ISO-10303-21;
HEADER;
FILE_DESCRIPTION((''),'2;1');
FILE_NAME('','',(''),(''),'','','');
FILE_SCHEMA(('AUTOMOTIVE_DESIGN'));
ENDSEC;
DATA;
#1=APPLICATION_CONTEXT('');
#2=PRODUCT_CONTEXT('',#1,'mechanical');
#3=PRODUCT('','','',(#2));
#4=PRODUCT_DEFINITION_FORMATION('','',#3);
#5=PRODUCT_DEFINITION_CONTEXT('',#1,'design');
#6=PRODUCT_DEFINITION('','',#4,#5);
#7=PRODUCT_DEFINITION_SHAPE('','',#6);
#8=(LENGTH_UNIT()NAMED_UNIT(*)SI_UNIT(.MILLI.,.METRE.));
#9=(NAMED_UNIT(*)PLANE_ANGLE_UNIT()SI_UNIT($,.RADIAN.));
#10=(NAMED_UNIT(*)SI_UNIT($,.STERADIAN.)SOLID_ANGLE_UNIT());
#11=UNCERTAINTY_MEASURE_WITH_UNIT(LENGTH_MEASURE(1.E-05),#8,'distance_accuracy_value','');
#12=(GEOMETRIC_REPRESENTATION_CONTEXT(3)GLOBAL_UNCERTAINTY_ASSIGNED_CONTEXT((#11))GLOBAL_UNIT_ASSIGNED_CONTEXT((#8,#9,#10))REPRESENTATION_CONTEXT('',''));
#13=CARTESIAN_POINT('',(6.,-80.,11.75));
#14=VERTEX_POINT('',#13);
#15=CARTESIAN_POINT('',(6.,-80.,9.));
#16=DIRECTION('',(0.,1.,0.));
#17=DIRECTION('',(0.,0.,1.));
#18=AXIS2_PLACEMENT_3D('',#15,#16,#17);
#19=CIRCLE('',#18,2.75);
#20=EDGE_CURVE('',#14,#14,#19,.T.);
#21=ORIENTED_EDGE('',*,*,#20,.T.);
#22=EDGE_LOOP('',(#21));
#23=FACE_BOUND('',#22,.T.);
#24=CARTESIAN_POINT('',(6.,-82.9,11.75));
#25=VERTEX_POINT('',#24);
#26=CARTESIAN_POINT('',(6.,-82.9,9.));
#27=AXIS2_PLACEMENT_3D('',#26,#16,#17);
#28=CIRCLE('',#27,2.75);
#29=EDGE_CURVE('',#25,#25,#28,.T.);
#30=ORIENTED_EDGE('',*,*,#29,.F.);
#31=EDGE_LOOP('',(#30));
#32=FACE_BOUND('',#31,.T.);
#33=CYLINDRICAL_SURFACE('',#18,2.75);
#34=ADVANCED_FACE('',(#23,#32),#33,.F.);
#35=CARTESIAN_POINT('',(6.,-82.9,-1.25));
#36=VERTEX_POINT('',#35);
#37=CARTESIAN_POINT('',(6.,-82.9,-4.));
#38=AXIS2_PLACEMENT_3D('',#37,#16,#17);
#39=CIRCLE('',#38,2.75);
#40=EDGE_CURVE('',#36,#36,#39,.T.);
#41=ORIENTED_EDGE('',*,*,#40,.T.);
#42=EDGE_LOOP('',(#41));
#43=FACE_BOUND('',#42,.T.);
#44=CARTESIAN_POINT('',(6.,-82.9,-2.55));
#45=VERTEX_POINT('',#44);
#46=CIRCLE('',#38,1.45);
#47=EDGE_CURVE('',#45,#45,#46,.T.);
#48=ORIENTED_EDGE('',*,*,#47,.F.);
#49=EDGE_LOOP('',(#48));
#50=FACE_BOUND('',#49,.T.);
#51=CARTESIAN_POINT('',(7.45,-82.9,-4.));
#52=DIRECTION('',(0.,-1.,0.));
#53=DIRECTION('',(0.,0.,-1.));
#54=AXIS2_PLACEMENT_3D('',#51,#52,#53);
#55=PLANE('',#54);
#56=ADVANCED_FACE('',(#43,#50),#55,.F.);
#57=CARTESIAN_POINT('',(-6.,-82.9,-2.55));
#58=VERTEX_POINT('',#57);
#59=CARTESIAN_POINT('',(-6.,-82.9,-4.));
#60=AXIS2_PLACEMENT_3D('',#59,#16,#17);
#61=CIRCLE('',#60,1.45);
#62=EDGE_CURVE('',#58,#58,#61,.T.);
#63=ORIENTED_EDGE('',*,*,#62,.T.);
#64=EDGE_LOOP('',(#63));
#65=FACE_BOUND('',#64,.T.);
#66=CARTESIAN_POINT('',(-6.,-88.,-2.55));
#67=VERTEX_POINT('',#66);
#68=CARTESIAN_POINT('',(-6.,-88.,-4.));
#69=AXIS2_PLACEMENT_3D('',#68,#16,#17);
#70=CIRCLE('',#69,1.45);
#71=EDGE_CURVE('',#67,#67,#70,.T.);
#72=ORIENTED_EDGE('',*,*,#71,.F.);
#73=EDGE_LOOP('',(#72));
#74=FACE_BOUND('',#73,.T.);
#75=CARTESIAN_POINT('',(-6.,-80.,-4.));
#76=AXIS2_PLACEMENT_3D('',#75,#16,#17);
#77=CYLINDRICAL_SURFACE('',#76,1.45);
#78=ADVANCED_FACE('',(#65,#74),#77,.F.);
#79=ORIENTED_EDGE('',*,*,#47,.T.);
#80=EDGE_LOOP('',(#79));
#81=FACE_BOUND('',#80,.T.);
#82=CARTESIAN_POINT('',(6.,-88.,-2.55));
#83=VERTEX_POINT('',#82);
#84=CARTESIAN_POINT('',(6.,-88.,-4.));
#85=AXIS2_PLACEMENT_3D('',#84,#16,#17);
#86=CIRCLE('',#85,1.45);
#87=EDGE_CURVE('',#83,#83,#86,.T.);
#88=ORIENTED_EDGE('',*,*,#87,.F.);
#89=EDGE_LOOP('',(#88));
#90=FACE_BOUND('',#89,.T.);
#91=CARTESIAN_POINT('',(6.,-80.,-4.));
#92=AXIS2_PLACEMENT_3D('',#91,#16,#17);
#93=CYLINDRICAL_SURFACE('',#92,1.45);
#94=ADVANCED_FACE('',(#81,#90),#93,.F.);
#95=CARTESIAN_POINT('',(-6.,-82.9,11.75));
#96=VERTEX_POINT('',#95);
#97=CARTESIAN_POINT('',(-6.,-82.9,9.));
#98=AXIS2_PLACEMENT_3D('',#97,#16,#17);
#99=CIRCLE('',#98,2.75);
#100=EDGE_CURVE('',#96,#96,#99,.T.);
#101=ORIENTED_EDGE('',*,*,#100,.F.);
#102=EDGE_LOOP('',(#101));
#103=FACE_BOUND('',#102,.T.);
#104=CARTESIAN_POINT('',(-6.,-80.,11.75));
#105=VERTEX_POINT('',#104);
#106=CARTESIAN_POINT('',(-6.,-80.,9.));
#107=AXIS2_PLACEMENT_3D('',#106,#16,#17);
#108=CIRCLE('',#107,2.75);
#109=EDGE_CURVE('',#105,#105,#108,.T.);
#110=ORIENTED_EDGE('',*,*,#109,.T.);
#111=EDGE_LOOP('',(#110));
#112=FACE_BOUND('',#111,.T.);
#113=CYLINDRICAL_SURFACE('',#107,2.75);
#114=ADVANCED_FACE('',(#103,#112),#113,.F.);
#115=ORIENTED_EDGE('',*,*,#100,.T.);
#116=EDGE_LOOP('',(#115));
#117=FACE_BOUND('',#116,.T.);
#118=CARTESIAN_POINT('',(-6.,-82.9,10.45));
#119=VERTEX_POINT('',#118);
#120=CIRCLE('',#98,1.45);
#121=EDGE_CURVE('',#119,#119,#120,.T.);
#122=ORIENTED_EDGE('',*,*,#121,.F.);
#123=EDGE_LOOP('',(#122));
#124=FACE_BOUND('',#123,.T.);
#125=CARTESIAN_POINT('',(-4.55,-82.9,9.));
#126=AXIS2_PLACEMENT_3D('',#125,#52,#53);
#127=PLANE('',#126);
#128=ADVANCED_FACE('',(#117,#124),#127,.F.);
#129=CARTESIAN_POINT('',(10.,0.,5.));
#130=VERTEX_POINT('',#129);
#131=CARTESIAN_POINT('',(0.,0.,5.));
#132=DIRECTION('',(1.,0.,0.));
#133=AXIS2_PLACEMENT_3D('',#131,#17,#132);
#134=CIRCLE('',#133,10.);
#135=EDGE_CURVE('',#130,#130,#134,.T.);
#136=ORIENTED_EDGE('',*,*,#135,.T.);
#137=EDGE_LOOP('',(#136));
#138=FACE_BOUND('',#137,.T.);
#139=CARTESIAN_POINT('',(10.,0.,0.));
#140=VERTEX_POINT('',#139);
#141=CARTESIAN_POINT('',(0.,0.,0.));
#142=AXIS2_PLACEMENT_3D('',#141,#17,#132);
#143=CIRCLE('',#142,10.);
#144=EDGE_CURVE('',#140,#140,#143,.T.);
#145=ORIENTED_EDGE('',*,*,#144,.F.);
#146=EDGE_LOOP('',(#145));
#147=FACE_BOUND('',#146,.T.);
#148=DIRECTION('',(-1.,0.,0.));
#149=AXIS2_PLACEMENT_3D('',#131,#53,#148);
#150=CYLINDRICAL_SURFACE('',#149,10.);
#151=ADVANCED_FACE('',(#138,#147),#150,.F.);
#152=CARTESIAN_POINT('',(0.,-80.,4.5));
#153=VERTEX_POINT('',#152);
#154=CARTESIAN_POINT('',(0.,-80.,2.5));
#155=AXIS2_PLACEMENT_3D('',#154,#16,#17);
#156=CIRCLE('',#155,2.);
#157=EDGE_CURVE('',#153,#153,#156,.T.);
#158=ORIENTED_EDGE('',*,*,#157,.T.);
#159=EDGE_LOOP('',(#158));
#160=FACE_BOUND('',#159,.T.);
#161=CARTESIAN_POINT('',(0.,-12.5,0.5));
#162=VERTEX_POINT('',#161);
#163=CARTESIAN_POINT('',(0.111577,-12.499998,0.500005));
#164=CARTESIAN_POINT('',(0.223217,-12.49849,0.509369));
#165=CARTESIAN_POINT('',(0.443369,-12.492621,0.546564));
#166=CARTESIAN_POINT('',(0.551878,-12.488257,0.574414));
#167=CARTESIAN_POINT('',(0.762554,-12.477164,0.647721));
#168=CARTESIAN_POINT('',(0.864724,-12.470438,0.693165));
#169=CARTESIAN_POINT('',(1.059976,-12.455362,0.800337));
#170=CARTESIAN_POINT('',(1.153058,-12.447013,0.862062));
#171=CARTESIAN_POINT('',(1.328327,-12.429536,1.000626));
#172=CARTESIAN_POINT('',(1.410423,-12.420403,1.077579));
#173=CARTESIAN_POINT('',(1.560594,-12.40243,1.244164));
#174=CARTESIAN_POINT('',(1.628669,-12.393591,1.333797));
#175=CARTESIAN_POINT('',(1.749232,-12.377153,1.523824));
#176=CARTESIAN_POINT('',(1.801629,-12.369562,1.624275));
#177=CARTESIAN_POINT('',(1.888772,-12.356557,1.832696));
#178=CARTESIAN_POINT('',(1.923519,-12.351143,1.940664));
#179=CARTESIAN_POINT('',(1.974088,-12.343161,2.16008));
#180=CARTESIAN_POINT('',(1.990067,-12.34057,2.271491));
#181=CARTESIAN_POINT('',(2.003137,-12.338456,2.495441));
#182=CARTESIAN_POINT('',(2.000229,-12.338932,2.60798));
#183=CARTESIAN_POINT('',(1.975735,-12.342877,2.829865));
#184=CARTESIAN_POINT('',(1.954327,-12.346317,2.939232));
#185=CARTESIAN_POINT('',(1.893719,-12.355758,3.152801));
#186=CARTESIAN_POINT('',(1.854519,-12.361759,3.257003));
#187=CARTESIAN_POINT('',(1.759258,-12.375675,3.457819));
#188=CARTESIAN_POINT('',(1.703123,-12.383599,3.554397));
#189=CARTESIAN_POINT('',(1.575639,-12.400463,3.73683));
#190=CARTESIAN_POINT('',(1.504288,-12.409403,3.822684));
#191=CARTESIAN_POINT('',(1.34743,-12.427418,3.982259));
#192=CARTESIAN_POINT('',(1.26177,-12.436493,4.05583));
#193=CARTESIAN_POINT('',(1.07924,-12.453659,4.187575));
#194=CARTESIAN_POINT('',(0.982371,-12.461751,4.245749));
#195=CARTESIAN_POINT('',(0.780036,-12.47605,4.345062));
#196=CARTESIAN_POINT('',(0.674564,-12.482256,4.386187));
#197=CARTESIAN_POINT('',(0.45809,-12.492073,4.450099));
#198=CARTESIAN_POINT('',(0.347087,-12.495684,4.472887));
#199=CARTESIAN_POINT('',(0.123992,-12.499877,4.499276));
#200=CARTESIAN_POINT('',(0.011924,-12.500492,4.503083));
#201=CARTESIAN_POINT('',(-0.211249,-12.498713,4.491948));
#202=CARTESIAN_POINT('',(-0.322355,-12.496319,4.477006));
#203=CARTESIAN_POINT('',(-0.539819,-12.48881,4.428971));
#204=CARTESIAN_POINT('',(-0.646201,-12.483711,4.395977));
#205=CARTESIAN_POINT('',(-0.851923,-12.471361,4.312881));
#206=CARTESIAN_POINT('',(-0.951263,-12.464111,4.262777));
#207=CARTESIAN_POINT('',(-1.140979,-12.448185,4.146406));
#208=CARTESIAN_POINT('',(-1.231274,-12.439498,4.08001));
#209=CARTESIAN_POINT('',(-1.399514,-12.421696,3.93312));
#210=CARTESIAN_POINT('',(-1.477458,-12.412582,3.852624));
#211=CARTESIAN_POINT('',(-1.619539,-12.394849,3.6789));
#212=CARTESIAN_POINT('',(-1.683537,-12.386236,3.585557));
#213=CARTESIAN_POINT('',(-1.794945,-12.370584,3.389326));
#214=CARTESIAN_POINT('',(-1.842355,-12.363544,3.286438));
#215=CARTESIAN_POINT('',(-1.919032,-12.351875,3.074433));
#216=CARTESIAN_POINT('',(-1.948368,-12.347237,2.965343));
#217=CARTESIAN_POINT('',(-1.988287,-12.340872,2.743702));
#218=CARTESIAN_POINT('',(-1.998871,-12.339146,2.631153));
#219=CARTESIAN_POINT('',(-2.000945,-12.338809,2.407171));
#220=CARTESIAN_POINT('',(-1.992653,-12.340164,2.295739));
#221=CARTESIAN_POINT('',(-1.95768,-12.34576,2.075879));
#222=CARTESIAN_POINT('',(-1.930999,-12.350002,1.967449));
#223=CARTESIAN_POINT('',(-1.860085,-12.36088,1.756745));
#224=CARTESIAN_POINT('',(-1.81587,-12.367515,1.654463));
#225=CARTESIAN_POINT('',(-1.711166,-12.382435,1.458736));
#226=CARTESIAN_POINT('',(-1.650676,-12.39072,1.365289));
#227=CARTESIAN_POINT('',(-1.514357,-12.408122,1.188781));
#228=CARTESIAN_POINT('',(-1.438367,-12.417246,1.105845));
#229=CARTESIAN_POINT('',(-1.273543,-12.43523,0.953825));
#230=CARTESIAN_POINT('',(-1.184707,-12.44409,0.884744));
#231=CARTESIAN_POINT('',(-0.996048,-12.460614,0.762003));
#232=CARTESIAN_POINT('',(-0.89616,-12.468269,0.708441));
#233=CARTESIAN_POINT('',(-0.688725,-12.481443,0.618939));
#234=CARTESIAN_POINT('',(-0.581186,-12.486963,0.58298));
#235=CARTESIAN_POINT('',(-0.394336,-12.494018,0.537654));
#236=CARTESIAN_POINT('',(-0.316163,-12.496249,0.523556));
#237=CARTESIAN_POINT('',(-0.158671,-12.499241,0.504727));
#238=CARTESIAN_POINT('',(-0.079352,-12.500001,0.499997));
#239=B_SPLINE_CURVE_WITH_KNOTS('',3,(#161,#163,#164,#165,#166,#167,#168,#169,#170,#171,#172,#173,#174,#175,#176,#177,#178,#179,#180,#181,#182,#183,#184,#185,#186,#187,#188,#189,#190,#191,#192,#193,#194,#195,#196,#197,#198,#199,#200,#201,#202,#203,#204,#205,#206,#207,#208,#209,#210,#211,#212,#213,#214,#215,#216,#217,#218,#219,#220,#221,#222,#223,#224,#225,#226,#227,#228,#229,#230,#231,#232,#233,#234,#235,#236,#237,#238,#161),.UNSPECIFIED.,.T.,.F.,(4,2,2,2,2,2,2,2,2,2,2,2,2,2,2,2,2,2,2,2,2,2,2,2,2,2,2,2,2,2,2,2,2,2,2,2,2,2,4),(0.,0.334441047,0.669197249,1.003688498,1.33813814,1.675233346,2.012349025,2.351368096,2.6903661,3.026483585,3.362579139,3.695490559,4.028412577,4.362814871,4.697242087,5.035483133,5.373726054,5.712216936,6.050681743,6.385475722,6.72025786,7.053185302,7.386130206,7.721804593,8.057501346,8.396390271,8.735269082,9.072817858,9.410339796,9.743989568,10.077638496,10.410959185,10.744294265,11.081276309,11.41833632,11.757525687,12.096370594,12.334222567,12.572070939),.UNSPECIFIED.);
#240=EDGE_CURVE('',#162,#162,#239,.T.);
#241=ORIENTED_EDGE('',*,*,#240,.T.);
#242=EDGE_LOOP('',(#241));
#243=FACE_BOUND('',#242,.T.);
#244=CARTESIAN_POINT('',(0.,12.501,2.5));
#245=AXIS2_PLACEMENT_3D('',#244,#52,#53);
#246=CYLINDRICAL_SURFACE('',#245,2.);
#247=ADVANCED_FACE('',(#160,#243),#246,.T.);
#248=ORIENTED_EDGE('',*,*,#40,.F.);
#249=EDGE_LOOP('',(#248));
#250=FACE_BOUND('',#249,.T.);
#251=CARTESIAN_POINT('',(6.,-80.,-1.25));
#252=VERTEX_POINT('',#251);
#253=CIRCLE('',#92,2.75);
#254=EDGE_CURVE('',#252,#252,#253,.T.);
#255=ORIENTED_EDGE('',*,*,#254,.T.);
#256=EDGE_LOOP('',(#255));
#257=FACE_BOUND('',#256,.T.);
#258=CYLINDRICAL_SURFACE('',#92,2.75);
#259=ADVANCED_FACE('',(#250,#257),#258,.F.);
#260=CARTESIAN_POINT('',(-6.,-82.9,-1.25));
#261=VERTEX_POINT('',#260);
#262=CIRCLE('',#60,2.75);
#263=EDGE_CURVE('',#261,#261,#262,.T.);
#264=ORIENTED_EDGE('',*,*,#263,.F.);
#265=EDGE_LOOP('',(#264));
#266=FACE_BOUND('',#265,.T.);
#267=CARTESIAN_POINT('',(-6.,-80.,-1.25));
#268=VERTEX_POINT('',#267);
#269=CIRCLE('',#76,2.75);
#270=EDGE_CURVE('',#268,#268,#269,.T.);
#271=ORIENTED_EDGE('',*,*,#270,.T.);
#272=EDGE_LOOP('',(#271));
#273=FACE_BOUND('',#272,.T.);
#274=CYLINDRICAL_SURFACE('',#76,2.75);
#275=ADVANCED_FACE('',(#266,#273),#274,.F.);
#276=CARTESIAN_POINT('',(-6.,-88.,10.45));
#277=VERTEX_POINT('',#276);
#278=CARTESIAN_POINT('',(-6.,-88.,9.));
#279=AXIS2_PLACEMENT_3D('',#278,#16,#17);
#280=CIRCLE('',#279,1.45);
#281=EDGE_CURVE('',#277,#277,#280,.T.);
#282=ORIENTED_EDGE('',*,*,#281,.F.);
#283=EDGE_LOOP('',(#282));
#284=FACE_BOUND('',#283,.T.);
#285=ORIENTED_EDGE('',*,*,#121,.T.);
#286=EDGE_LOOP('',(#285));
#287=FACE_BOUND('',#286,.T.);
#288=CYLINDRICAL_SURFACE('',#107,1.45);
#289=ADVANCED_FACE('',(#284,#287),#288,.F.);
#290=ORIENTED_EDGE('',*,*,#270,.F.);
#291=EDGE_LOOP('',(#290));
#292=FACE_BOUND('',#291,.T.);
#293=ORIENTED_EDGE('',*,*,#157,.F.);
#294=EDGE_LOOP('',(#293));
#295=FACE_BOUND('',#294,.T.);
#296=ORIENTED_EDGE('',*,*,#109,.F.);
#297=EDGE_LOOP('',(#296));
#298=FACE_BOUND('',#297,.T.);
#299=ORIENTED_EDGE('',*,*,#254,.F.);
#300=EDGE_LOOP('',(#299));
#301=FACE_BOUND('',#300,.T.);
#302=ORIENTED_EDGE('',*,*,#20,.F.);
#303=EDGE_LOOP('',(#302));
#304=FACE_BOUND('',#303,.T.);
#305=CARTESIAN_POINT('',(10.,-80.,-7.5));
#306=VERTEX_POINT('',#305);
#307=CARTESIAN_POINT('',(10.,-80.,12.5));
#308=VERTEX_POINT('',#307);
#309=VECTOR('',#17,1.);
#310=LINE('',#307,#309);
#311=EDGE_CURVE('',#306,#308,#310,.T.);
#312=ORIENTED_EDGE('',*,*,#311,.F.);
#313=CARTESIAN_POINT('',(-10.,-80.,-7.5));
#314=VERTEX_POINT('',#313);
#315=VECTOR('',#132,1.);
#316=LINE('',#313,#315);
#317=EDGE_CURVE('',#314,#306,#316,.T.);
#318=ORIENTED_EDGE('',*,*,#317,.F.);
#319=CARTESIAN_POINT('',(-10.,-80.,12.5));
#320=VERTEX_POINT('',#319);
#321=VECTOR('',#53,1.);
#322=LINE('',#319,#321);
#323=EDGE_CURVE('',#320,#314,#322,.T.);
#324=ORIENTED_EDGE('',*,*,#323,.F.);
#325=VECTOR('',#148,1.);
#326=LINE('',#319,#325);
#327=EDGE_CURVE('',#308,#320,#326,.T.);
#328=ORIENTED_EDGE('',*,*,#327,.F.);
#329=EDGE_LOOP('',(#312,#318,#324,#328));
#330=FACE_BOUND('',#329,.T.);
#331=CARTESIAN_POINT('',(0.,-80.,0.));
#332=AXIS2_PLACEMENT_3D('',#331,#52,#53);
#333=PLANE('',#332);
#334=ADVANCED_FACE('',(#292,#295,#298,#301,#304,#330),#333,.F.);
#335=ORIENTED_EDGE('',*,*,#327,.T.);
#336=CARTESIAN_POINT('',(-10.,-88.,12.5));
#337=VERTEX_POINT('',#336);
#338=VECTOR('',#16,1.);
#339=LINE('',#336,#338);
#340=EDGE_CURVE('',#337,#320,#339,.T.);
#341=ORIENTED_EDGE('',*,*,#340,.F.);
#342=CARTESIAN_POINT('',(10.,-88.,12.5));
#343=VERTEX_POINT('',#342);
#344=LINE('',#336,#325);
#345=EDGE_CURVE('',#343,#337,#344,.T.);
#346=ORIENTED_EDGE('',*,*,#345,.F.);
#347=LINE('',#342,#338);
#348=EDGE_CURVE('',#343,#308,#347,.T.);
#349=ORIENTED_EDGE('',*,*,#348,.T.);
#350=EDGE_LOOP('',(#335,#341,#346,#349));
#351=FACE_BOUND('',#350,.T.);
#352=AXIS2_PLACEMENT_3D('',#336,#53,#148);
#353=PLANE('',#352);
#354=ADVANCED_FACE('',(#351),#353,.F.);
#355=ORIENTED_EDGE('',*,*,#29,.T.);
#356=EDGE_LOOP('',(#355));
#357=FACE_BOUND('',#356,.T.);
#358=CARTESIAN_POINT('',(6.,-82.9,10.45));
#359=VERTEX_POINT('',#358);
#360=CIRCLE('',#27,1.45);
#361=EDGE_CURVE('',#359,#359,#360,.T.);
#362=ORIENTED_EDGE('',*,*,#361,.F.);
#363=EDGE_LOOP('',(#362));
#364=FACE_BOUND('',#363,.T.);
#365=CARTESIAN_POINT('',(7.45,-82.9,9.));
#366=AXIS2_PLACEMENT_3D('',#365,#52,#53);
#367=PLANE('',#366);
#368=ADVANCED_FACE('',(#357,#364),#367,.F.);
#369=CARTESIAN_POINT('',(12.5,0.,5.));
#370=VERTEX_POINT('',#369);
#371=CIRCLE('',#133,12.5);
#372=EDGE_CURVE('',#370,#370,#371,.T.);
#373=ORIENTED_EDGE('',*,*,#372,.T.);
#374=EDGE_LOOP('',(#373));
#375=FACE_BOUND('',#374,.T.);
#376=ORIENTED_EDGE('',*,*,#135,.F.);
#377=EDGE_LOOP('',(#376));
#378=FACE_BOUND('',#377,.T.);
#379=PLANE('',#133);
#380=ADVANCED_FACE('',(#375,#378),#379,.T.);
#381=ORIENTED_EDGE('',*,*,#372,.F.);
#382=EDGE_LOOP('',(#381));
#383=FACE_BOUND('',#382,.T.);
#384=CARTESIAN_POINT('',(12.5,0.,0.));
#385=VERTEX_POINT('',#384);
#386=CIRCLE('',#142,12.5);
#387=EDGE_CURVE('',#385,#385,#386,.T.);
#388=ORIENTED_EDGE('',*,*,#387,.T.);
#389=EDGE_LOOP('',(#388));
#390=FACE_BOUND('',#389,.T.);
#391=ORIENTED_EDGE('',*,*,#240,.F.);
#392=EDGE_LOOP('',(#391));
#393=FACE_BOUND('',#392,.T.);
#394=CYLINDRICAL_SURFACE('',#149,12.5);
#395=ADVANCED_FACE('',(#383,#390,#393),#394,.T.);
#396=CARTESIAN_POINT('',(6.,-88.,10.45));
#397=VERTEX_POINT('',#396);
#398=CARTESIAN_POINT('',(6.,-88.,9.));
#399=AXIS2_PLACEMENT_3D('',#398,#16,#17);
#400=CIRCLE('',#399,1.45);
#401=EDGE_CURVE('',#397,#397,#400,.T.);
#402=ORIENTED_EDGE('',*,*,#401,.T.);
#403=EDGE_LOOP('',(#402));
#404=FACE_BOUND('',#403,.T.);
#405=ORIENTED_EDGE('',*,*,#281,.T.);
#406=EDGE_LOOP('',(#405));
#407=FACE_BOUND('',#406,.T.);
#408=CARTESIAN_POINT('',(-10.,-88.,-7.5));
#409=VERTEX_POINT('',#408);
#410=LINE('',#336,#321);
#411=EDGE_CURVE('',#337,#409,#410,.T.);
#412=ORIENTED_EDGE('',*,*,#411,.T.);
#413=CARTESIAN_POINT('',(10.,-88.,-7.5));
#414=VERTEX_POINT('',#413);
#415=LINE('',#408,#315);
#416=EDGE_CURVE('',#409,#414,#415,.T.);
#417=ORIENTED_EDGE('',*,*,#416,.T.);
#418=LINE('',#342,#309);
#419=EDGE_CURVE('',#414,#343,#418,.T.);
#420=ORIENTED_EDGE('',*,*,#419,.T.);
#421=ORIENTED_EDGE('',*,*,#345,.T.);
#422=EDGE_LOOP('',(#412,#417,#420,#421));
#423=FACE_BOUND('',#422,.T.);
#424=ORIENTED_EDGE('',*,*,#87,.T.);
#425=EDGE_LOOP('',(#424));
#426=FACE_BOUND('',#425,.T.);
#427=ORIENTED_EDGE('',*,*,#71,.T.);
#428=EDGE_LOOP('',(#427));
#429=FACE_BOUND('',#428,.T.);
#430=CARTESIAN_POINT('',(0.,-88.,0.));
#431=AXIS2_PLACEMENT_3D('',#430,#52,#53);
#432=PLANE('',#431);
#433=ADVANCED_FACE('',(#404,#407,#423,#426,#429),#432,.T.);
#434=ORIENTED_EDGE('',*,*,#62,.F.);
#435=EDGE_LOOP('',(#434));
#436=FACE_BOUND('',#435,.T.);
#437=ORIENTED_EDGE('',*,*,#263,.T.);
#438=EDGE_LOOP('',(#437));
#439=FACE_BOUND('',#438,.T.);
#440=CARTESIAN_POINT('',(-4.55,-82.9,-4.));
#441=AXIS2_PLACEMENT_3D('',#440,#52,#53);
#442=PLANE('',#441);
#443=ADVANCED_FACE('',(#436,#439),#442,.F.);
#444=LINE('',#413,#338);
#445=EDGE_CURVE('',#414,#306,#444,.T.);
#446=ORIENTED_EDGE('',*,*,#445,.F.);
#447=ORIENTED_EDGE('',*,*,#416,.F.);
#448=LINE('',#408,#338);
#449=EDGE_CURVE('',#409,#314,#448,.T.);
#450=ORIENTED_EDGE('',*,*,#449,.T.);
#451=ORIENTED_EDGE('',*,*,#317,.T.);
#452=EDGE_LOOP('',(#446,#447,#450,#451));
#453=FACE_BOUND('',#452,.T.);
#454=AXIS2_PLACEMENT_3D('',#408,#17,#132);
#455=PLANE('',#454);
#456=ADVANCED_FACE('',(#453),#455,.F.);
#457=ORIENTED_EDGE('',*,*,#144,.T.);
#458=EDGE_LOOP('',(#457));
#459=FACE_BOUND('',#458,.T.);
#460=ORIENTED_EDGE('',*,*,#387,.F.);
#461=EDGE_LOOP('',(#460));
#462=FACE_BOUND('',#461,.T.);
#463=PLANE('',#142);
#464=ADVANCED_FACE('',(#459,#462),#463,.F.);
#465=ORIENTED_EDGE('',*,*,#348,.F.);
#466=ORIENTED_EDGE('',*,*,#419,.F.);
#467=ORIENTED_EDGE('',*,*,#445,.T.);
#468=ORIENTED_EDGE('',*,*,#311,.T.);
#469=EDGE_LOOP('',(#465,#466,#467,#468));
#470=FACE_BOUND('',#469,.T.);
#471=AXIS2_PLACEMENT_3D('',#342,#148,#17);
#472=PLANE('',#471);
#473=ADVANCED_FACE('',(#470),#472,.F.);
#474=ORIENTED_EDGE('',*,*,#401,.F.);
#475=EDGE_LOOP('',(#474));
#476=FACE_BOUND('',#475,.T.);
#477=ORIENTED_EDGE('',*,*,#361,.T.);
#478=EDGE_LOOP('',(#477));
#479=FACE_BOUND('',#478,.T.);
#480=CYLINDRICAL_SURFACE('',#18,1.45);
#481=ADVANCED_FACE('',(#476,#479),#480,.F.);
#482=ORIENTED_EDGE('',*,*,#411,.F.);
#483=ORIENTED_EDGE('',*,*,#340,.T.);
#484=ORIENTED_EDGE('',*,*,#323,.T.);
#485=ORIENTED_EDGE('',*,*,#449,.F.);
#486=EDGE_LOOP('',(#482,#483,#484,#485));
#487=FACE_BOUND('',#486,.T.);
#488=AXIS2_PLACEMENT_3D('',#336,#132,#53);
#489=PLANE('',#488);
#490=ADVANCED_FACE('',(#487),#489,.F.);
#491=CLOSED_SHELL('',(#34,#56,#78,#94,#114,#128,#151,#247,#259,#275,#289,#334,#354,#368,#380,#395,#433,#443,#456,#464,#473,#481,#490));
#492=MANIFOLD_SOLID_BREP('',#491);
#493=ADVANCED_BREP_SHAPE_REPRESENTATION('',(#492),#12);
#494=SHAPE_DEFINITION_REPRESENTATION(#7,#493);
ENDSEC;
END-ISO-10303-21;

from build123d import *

# Parameters (mm, degrees)
SKETCH_1_R                     = 12.5
SKETCH_1_R_2                   = 10
EXTRUDE_1_DEPTH                = 5
EXTRUDE_2_REACH                = 95.475
EXTRUDE_2_END_RADIUS           = 12.5
SKETCH_2_R                     = 2
SKETCH_3_W                     = 20
SKETCH_3_H                     = 20
EXTRUDE_3_DEPTH                = 8
HOLE_WIZARD_M2_5_1_D           = 2.9
HOLE_WIZARD_M2_5_1_CBORE_D     = 5.5
HOLE_WIZARD_M2_5_1_CBORE_DEPTH = 2.9


with BuildPart() as part:
    # 草图1 → 凸台-拉伸1 (new body)
    with BuildSketch(Plane.XY):
        Circle(SKETCH_1_R)
        Circle(SKETCH_1_R_2, mode=Mode.SUBTRACT)
    extrude(amount=EXTRUDE_1_DEPTH)

    # 凸台-拉伸2: up to this cylinder (the profile starts outside it)
    extrude_2_end = Plane(origin=(0, 0, 2.5), z_dir=(0, 0, -1)) * Cylinder(EXTRUDE_2_END_RADIUS, 216.95, mode=Mode.PRIVATE)
    # 草图2 → 凸台-拉伸2 (add, up to the surface)
    with BuildSketch(Plane(origin=(0, -80, 0), x_dir=(1, 0, 0), z_dir=(0, 1, 0)), mode=Mode.PRIVATE) as extrude_2_sk1:
        with Locations(Location((0, -2.5, 0), (0, 0, 90))):
            Circle(SKETCH_2_R)
    extrude_2_tool1 = extrude(extrude_2_sk1.sketch, amount=EXTRUDE_2_REACH, mode=Mode.PRIVATE) - extrude_2_end
    add(extrude_2_tool1.solids().sort_by_distance((0, -80, 2.5))[0])

    # 草图3 → 凸台-拉伸3 (add)
    with BuildSketch(Plane.XZ.offset(80)):
        with Locations((0, 2.5)):
            Rectangle(SKETCH_3_W, SKETCH_3_H)
    extrude(amount=EXTRUDE_3_DEPTH)

    # M2.5 六角凹头螺钉的柱形沉头孔1 (through all)
    with Locations(Plane(origin=(0, -80, 0), x_dir=(1, 0, 0), z_dir=(0, 1, 0))):
        with Locations((-6, 4), (6, 4), (6, -9), (-6, -9)):
            CounterBoreHole(HOLE_WIZARD_M2_5_1_D / 2, HOLE_WIZARD_M2_5_1_CBORE_D / 2, HOLE_WIZARD_M2_5_1_CBORE_DEPTH)


solid = part.part
